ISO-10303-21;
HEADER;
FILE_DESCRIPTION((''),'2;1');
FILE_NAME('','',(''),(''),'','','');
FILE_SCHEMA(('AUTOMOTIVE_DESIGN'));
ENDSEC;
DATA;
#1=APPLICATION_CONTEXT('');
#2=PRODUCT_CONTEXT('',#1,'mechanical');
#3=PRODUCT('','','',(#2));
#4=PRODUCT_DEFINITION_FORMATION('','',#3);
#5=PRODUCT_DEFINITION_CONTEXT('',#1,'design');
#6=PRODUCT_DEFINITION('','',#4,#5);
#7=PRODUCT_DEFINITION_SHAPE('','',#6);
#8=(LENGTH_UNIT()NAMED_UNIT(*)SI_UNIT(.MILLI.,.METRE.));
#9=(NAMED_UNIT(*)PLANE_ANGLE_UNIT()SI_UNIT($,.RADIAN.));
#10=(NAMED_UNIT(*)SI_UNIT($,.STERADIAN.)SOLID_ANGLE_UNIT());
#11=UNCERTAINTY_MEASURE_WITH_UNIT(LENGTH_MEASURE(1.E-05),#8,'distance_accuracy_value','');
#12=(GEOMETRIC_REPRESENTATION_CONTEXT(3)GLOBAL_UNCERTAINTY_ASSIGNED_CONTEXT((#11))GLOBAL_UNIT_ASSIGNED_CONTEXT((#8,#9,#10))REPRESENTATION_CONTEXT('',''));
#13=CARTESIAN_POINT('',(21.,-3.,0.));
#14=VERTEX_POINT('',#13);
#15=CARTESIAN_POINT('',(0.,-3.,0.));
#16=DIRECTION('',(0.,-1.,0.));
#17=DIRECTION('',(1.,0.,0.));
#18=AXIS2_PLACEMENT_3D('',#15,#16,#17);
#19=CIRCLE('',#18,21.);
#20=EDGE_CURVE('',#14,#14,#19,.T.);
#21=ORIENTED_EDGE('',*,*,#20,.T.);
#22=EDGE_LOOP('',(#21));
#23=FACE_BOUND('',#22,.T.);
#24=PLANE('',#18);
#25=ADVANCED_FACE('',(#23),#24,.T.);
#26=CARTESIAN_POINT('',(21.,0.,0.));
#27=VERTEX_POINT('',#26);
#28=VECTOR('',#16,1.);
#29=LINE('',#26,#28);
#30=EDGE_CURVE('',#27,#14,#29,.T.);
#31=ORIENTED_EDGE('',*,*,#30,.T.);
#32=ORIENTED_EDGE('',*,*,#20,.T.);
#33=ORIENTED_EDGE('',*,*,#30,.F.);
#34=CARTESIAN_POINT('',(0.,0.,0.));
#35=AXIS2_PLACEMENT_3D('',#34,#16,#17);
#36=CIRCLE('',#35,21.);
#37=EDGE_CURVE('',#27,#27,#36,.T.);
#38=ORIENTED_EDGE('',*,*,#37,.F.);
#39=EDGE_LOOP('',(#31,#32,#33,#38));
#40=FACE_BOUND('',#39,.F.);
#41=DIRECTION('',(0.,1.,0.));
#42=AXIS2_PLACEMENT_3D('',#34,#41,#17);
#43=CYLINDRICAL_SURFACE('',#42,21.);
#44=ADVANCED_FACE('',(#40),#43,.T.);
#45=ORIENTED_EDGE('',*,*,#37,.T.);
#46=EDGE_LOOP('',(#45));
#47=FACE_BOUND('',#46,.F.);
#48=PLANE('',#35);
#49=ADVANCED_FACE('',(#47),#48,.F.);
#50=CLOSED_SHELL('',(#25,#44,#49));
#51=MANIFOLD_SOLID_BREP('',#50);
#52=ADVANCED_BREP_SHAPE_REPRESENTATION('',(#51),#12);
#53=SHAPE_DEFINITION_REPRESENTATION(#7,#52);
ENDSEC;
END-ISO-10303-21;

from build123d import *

# Parameters (mm, degrees)
F0_R     = 21
F1_DEPTH = 3
F2_R     = 3.248876
F2_R_2   = 2.201596
F2_R_3   = 3.392524
F2_R_4   = 2.223105
F2_R_5   = 3.218428
F2_R_6   = 2.097756
F3_DEPTH = 25
F4_R     = 3.419132
F5_DEPTH = 25


with BuildPart() as f1:
    # F0 (on Front) → F1 (new body)
    with BuildSketch(Plane.XZ):
        Circle(F0_R)
    extrude(amount=F1_DEPTH)

    # F2 (on Front) → F3 (cut)
    with BuildSketch(Plane.XZ):
        with Locations((0, 28.620865)):
            Circle(F2_R)
        with Locations((0, 28.620865)):
            Circle(F2_R_2, mode=Mode.SUBTRACT)
        with Locations((24.881644, -14.200577)):
            Circle(F2_R_3)
        with Locations((24.881644, -14.200577)):
            Circle(F2_R_4, mode=Mode.SUBTRACT)
        with Locations((-24.80519, -14.200577)):
            Circle(F2_R_5)
        with Locations((-24.80519, -14.200577)):
            Circle(F2_R_6, mode=Mode.SUBTRACT)
    extrude(amount=-F3_DEPTH, mode=Mode.SUBTRACT)

    # F4 (on Front) → F5 (cut)
    with BuildSketch(Plane.XZ):
        with Locations((0, 28.712314)):
            Circle(F4_R)
    extrude(amount=-F5_DEPTH, mode=Mode.SUBTRACT)


solid = f1.part
